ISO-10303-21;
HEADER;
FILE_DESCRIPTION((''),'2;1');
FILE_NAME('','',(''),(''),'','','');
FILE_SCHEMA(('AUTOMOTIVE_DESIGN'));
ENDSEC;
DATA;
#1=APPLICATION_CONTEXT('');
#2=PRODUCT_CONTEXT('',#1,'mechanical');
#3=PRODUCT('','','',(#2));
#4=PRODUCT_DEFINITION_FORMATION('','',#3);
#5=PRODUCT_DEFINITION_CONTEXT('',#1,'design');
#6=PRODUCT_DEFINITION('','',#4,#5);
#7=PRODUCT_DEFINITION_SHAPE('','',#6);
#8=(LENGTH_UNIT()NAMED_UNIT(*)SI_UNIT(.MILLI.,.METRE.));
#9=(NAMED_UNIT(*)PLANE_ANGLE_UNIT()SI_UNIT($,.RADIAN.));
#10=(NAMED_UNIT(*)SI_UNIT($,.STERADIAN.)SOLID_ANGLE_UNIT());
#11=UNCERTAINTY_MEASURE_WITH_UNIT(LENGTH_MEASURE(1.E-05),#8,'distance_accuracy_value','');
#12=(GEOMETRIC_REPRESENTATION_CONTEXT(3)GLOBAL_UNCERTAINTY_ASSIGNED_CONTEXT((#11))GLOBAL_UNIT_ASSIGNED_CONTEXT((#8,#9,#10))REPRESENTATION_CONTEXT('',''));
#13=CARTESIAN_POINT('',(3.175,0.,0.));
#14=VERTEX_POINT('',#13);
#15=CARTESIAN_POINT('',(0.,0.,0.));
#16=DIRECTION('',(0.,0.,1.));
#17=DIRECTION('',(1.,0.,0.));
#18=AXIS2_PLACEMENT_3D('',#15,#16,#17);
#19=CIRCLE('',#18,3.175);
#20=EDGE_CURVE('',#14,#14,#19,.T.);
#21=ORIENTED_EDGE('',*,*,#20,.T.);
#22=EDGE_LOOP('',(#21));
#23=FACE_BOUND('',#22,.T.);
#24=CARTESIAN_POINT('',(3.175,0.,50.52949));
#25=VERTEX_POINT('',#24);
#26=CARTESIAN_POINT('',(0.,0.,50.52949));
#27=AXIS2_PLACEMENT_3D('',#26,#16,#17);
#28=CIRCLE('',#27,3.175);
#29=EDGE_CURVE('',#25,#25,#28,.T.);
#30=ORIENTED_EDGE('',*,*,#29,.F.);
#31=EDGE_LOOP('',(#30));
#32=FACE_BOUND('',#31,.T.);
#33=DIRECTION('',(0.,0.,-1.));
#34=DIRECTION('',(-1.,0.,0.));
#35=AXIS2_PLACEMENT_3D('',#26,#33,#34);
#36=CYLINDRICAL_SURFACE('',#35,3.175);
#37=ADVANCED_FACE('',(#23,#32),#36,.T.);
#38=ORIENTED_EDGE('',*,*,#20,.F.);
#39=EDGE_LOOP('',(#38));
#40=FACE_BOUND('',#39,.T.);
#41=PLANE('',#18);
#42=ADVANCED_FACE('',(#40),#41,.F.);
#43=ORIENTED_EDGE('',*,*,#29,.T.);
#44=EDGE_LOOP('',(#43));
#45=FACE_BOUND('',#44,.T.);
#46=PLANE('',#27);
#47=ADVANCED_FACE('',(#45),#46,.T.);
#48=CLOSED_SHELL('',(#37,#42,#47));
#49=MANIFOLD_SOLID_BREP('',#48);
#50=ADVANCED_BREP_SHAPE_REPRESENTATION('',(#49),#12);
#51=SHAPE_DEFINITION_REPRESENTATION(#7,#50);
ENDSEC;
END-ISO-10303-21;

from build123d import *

# Parameters (mm, degrees)
SKETCH1_R           = 3.175
BOSS_EXTRUDE1_DEPTH = 50.52949


with BuildPart() as part:
    # Sketch1 → Boss-Extrude1 (new body)
    with BuildSketch(Plane.XY):
        Circle(SKETCH1_R)
    extrude(amount=BOSS_EXTRUDE1_DEPTH)


solid = part.part
